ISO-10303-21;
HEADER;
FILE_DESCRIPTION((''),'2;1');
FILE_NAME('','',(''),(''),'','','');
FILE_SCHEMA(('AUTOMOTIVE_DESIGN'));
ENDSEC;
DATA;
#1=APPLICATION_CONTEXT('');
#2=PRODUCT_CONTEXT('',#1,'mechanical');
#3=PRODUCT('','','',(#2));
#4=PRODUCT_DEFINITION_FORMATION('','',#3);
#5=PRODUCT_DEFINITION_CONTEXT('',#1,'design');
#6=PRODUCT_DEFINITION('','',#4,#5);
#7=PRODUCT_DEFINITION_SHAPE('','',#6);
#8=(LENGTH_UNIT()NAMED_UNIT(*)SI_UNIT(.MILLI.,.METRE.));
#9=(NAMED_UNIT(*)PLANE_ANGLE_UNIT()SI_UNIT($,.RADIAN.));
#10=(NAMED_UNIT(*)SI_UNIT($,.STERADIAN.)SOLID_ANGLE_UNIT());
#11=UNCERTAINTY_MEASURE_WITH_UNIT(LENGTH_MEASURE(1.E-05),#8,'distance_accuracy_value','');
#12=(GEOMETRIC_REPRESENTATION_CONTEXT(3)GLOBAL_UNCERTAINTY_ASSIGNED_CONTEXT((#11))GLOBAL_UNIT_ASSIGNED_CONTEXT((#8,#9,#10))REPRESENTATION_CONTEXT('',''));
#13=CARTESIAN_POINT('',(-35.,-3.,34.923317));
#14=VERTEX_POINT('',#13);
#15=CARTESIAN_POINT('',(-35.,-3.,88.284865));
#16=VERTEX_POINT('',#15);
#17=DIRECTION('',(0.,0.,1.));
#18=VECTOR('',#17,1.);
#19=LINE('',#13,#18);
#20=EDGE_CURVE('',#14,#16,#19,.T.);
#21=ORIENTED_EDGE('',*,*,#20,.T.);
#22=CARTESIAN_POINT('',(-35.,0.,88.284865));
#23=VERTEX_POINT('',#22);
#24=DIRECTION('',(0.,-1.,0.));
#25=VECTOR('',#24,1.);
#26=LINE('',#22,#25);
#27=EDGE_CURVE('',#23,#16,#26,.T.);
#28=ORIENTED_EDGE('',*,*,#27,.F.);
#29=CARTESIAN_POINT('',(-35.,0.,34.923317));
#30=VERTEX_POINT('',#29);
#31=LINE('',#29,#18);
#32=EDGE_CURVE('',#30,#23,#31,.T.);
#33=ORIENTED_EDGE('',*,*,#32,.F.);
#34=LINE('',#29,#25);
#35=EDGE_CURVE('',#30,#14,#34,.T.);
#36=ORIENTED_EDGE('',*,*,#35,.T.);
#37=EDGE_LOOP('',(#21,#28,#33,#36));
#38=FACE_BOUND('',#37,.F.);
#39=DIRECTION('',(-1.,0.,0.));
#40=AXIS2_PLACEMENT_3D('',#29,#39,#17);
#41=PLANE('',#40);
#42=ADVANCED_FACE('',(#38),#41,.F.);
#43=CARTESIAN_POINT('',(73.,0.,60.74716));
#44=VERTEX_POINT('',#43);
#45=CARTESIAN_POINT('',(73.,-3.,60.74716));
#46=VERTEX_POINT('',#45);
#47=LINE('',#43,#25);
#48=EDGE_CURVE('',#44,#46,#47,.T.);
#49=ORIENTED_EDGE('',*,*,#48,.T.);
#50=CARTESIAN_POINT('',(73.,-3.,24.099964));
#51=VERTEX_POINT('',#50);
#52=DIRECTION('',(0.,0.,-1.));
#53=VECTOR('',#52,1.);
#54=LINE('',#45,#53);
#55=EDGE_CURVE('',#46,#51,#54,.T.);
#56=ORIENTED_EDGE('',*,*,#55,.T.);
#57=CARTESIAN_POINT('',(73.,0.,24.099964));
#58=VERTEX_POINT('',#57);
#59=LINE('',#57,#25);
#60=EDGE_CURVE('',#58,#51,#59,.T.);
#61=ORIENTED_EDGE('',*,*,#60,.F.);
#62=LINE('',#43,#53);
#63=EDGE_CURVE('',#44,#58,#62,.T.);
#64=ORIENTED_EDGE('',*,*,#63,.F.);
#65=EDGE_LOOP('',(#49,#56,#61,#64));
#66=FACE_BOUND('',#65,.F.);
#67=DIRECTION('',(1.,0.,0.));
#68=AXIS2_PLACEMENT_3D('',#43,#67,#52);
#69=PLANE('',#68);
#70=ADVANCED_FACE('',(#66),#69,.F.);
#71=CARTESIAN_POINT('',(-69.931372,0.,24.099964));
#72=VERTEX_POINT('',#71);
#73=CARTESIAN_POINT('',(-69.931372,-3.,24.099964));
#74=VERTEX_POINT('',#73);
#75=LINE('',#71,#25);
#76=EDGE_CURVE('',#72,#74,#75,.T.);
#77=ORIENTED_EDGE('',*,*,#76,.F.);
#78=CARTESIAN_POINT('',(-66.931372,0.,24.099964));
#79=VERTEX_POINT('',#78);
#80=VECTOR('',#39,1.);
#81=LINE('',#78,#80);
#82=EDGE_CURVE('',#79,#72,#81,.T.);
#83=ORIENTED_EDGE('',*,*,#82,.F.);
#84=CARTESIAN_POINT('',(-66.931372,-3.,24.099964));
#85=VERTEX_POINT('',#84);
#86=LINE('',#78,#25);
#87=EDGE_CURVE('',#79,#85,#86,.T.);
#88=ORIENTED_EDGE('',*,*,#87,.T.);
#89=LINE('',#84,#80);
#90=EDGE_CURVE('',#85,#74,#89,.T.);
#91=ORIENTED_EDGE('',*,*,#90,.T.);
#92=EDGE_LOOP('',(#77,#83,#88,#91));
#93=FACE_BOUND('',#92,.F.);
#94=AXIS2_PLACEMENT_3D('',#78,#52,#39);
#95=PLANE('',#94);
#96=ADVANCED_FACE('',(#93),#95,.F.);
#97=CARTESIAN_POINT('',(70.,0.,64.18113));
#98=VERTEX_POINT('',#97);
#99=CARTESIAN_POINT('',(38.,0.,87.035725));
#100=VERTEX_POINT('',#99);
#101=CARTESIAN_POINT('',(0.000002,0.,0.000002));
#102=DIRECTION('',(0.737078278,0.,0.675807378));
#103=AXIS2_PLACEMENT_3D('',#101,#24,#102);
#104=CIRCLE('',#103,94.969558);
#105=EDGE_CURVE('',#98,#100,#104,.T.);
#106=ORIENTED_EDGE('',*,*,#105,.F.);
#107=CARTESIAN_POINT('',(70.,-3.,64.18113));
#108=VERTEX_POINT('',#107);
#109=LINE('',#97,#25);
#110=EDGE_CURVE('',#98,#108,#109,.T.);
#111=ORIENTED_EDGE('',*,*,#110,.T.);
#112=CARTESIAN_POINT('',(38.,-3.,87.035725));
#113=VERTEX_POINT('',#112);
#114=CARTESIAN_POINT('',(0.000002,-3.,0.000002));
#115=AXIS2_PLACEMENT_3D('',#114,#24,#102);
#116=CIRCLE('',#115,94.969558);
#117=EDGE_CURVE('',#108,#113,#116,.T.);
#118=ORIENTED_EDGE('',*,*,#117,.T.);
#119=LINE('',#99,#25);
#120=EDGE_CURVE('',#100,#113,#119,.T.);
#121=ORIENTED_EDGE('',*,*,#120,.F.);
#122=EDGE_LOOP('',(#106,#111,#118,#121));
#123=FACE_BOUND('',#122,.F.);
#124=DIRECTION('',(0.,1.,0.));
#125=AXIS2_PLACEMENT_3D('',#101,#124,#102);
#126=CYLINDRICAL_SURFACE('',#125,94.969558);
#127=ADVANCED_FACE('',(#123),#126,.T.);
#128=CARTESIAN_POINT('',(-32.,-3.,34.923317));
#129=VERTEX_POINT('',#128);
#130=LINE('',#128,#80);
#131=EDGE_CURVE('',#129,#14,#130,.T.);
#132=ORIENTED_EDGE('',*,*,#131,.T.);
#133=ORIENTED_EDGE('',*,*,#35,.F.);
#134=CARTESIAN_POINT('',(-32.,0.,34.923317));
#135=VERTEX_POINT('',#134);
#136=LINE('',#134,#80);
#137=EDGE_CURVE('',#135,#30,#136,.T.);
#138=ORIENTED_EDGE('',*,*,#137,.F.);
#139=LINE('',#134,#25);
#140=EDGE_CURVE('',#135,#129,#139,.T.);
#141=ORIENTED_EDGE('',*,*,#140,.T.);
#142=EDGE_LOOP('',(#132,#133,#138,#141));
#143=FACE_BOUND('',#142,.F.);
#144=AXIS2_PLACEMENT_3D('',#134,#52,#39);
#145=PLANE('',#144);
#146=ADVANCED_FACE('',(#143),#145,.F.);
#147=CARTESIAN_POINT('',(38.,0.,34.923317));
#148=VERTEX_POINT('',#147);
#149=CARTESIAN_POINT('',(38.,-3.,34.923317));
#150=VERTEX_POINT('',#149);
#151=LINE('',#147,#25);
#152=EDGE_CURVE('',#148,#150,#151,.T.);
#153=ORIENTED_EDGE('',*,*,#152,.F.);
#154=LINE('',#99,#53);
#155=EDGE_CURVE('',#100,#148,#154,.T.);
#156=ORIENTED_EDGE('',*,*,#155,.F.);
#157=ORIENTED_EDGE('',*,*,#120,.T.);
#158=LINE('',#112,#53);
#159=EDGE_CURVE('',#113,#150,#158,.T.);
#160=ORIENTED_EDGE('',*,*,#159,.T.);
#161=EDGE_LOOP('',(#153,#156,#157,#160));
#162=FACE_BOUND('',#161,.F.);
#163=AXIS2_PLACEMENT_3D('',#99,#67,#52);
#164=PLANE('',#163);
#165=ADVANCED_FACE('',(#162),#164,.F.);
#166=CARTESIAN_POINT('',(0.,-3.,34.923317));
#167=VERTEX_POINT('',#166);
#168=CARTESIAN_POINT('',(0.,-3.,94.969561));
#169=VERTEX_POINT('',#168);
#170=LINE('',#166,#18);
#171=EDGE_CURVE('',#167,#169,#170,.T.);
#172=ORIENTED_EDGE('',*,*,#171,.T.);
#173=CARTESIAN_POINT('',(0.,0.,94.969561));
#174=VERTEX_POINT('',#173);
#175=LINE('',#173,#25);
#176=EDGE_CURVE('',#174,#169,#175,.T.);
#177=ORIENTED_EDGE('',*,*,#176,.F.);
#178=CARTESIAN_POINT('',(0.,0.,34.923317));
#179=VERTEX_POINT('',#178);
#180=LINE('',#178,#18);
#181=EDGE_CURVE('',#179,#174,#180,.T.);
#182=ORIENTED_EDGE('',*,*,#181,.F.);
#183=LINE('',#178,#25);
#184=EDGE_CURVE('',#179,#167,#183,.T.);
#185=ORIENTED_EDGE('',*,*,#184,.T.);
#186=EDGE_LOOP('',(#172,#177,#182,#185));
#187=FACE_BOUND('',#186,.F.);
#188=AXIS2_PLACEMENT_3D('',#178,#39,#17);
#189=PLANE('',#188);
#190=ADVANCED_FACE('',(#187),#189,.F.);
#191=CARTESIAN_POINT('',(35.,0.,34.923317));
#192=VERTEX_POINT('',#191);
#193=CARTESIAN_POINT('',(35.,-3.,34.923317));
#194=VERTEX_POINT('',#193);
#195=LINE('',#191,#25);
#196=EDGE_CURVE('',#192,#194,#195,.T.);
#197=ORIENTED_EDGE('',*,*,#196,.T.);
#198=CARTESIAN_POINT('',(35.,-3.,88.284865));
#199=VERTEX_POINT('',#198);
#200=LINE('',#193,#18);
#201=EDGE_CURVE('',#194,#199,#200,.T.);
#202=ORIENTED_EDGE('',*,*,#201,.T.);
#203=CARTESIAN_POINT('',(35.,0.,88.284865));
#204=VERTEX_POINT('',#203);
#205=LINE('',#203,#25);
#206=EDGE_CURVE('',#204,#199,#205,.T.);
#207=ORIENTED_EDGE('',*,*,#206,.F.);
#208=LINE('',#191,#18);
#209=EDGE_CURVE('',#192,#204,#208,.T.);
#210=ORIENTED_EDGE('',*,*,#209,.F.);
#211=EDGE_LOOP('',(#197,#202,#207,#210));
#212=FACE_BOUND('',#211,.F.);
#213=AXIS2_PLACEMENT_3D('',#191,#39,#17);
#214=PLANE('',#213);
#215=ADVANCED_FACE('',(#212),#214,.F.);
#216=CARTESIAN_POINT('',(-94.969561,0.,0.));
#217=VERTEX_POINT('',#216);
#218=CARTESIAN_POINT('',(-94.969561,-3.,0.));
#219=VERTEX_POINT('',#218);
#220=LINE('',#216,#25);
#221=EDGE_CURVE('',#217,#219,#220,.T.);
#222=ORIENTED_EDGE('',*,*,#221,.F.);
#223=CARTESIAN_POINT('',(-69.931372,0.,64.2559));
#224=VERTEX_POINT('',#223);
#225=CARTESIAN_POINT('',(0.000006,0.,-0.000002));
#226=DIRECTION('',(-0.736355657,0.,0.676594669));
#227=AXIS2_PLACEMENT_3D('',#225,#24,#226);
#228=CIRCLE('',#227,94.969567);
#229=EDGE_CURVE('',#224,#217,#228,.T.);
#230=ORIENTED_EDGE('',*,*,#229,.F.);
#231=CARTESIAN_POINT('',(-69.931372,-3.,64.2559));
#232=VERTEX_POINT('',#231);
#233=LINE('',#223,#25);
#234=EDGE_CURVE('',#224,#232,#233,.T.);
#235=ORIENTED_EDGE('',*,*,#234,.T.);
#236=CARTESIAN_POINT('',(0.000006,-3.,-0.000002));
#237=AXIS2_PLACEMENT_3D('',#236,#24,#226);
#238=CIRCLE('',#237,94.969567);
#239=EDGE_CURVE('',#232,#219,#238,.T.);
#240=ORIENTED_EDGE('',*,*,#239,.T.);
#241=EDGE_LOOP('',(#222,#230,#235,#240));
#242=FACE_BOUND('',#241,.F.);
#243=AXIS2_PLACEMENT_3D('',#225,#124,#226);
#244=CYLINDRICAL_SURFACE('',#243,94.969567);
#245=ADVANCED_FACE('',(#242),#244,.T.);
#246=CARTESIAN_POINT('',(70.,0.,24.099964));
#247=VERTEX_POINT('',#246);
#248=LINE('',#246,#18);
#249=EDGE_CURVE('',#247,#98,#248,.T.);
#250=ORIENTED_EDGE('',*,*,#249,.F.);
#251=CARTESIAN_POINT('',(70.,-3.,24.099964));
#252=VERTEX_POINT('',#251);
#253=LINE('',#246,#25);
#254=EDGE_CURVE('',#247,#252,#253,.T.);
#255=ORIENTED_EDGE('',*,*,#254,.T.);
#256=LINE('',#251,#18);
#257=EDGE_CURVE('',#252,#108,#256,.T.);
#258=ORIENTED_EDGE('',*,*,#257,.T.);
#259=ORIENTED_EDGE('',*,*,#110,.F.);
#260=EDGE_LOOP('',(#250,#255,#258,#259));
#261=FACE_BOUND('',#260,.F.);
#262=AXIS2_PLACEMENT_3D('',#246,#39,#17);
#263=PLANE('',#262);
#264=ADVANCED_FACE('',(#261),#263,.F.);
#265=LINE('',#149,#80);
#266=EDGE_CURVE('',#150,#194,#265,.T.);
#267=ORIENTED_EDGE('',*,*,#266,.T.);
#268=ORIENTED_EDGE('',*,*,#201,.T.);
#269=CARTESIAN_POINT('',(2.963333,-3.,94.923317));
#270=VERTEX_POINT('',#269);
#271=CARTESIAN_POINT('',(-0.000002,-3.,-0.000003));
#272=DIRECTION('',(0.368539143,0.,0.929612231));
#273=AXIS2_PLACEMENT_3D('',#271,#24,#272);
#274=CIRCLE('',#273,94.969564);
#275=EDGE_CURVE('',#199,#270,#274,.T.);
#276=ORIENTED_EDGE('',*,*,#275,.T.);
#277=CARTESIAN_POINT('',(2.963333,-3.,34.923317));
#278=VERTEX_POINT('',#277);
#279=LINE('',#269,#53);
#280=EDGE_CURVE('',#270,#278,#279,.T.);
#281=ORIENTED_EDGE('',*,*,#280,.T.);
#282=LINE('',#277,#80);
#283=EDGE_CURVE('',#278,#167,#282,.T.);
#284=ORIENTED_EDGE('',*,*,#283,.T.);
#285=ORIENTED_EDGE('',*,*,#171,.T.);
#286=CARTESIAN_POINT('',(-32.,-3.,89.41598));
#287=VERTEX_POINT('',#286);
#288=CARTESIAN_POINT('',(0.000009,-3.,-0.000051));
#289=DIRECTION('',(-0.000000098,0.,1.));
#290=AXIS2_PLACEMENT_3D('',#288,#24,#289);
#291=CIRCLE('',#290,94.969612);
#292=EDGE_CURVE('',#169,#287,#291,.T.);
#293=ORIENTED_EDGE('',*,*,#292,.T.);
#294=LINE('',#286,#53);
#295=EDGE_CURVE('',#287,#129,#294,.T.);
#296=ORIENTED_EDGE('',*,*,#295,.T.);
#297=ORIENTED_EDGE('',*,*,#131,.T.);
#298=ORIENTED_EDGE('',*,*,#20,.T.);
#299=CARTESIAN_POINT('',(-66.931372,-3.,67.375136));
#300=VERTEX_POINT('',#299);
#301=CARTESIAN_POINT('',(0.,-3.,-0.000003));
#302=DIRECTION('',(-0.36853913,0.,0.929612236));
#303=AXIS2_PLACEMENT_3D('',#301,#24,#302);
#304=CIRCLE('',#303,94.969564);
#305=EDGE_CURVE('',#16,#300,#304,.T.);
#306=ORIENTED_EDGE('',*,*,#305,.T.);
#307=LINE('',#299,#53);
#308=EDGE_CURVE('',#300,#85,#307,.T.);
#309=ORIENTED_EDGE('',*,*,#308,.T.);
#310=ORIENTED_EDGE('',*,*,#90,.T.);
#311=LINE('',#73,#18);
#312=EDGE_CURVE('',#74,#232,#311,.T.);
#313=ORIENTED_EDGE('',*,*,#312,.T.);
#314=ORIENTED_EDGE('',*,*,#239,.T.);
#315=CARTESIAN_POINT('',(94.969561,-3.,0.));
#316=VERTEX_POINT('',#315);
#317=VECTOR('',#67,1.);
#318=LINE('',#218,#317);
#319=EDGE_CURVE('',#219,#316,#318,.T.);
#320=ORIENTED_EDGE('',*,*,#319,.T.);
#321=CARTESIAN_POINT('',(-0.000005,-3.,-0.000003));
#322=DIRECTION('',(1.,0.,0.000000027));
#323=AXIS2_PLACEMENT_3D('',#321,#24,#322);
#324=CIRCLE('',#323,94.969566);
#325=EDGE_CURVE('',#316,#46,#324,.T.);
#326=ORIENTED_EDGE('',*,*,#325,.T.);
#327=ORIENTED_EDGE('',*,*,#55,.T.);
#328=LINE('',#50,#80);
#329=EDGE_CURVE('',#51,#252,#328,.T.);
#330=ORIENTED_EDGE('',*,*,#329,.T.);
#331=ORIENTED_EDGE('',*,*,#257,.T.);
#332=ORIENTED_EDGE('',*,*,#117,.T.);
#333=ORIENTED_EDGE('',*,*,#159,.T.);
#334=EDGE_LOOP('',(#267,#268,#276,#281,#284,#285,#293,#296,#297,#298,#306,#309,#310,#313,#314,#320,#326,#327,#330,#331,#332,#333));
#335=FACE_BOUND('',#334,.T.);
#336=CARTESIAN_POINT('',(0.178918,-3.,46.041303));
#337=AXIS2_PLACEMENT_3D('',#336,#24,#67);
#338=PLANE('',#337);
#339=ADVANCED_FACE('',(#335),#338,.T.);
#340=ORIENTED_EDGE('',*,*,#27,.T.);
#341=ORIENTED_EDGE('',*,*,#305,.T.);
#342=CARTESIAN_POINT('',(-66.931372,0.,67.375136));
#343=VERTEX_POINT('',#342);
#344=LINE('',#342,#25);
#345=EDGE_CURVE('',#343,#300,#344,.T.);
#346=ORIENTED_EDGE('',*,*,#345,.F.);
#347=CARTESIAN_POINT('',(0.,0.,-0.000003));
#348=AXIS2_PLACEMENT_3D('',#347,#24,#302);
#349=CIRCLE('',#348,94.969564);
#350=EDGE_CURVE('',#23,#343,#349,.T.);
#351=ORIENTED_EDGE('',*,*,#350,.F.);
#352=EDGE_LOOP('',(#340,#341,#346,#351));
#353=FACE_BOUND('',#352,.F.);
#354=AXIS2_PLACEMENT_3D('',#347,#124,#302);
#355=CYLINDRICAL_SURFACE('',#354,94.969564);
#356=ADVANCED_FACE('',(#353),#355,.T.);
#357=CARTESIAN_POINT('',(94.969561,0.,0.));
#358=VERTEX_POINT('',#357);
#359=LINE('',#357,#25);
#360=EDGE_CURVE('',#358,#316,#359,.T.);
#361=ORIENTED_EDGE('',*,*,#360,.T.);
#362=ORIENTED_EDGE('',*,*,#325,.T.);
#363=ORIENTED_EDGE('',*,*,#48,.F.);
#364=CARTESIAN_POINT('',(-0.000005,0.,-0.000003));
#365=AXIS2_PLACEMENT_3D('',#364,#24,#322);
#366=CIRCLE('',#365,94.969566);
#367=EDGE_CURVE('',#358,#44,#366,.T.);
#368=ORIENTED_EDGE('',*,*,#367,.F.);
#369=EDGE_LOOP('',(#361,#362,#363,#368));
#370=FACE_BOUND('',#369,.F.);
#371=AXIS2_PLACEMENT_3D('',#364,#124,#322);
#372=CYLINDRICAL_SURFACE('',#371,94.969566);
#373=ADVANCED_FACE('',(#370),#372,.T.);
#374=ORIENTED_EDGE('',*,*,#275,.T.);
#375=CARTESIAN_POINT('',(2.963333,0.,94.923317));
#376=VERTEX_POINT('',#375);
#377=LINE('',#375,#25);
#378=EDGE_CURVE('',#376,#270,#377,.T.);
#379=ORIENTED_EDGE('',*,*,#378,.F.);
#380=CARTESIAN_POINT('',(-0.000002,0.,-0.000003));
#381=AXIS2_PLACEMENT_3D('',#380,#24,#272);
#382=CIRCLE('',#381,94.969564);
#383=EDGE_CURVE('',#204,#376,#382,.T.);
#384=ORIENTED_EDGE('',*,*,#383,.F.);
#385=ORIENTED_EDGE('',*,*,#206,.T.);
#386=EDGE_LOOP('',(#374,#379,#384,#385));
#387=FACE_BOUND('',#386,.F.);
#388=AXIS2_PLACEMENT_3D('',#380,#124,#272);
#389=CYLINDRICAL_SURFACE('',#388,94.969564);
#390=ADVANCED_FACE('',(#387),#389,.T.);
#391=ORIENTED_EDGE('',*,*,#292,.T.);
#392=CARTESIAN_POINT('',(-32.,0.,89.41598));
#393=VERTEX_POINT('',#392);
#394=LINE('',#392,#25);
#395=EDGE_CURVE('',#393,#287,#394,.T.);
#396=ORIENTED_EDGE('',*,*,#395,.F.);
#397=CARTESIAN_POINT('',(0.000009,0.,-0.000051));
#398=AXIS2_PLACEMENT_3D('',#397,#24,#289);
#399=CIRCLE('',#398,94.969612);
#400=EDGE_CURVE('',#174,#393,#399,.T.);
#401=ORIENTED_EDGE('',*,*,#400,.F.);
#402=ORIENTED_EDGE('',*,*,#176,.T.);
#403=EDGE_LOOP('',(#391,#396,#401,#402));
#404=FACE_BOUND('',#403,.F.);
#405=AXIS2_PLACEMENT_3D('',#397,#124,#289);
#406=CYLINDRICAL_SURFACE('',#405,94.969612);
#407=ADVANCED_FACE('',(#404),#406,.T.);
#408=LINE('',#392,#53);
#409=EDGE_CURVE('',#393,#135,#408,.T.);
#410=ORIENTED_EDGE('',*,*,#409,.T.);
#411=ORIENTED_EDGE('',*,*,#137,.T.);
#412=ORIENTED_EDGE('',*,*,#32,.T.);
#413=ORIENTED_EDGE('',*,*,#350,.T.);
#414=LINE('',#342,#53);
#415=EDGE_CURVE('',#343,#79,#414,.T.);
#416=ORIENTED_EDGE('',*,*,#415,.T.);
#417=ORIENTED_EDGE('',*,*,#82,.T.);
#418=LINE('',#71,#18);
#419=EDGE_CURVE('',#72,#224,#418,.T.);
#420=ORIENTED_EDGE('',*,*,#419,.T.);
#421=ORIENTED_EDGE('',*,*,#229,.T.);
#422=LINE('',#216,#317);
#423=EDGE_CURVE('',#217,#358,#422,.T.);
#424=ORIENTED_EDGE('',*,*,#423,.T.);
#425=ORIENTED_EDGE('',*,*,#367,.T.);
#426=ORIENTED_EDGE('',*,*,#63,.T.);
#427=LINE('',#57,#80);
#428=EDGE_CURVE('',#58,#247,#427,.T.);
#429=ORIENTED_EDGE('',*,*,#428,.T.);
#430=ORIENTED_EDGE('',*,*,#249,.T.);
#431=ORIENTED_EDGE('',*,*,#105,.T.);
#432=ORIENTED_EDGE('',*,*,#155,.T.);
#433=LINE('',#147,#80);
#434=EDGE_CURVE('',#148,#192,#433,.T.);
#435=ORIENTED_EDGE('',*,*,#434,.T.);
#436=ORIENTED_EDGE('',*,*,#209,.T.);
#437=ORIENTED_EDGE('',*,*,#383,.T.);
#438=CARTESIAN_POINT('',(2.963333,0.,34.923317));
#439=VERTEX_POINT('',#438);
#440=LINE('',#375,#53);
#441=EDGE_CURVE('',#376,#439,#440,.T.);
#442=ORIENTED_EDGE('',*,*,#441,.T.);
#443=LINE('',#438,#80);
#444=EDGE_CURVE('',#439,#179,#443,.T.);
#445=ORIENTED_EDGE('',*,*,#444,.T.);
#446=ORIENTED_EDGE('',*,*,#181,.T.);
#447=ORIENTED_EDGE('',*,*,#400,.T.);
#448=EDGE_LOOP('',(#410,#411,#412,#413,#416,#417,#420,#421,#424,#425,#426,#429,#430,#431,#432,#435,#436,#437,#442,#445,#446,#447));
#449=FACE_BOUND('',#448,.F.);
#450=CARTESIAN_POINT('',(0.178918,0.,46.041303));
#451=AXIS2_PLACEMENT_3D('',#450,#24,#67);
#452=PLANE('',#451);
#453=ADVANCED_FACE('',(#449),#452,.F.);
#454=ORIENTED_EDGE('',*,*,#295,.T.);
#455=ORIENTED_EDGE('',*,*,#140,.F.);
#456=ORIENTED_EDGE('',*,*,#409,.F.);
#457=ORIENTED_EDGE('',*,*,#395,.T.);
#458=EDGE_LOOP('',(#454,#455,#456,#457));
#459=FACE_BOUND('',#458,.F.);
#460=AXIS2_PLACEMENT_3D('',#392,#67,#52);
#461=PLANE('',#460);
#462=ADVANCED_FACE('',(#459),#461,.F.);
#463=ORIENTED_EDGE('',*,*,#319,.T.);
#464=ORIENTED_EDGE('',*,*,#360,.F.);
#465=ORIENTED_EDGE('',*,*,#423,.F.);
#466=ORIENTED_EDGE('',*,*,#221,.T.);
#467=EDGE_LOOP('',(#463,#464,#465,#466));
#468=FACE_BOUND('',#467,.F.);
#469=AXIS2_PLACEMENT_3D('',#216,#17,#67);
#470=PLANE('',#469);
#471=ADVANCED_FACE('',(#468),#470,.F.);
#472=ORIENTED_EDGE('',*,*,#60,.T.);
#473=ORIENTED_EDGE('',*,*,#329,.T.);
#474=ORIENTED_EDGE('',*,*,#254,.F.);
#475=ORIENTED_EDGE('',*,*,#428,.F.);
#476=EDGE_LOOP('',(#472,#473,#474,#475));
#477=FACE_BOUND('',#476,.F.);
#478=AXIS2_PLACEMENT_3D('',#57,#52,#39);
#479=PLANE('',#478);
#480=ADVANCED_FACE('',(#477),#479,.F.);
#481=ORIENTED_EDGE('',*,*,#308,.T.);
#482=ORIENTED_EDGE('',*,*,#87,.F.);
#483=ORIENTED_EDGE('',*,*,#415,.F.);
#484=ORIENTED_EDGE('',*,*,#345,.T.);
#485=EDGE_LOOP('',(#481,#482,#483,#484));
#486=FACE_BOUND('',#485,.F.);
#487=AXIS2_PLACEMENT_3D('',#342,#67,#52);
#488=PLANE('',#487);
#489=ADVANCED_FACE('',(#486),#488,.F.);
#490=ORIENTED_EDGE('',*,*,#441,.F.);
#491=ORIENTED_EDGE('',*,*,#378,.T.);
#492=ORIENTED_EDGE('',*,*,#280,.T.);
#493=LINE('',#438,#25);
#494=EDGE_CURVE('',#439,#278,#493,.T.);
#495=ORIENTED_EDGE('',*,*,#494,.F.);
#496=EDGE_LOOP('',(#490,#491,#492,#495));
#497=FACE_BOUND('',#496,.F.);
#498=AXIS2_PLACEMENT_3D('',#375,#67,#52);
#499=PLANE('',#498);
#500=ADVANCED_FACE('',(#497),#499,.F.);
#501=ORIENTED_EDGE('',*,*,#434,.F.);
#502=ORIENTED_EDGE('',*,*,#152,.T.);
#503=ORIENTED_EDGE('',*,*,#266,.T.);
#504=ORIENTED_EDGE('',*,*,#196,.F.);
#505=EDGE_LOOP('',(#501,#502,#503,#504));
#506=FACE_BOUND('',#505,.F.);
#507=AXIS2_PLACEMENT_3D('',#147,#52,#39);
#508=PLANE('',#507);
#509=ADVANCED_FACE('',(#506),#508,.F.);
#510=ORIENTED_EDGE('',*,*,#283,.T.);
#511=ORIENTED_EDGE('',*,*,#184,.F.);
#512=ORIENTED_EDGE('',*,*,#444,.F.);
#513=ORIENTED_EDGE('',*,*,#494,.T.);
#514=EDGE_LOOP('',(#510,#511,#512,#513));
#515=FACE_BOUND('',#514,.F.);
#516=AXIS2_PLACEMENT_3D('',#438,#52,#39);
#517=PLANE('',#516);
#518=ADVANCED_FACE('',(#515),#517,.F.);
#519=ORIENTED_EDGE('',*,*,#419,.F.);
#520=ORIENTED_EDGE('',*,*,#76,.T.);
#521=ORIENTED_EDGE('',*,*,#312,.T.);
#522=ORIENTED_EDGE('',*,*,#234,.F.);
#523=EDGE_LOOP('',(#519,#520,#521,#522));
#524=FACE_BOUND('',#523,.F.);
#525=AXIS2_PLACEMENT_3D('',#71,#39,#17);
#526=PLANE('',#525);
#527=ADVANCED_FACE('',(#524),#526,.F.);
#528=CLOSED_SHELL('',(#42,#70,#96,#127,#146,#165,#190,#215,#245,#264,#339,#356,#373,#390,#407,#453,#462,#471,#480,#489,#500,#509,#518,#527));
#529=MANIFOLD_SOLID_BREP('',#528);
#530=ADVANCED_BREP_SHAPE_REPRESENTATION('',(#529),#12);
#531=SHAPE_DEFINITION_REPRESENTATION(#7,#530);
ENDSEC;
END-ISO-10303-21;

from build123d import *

# Parameters (mm, degrees)
F1_DEPTH = 3


with BuildPart() as f1:
    # F0 (on Front) → F1 (new body)
    with BuildSketch(Plane.XZ):
        with BuildLine():
            Line((70, 0), (94.969561, 0))
            ThreePointArc((94.969561, 0), (89.308441, 32.298913), (73, 60.74716))
            Line((73, 60.74716), (73, 24.099964))
            Line((73, 24.099964), (70, 24.099964))
            Line((70, 24.099964), (70, 64.18113))
            ThreePointArc((70, 64.18113), (55.195862, 77.28282), (38, 87.035725))
            Line((38, 87.035725), (38, 34.923317))
            Line((38, 34.923317), (35, 34.923317))
            Line((35, 34.923317), (35, 88.284865))
            ThreePointArc((35, 88.284865), (19.269689, 92.994067), (2.963333, 94.923317))
            Line((2.963333, 94.923317), (2.963333, 34.923317))
            Line((2.963333, 34.923317), (0, 34.923317))
            Line((0, 34.923317), (0, 94.969561))
            ThreePointArc((0, 94.969561), (-16.239168, 93.570865), (-32, 89.41598))
            Line((-32, 89.41598), (-32, 34.923317))
            Line((-32, 34.923317), (-35, 34.923317))
            Line((-35, 34.923317), (-35, 88.284865))
            ThreePointArc((-35, 88.284865), (-52.026967, 79.45069), (-66.931372, 67.375136))
            Line((-66.931372, 67.375136), (-66.931372, 24.099964))
            Line((-66.931372, 24.099964), (-69.931372, 24.099964))
            Line((-69.931372, 24.099964), (-69.931372, 64.2559))
            ThreePointArc((-69.931372, 64.2559), (-88.488895, 34.480906), (-94.969561, 0))
            Line((-94.969561, 0), (-69.931372, 0))
            Line((-69.931372, 0), (-35, 0))
            Line((-35, 0), (0, 0))
            Line((0, 0), (35, 0))
            Line((35, 0), (70, 0))
        make_face()
    extrude(amount=F1_DEPTH)


solid = f1.part
